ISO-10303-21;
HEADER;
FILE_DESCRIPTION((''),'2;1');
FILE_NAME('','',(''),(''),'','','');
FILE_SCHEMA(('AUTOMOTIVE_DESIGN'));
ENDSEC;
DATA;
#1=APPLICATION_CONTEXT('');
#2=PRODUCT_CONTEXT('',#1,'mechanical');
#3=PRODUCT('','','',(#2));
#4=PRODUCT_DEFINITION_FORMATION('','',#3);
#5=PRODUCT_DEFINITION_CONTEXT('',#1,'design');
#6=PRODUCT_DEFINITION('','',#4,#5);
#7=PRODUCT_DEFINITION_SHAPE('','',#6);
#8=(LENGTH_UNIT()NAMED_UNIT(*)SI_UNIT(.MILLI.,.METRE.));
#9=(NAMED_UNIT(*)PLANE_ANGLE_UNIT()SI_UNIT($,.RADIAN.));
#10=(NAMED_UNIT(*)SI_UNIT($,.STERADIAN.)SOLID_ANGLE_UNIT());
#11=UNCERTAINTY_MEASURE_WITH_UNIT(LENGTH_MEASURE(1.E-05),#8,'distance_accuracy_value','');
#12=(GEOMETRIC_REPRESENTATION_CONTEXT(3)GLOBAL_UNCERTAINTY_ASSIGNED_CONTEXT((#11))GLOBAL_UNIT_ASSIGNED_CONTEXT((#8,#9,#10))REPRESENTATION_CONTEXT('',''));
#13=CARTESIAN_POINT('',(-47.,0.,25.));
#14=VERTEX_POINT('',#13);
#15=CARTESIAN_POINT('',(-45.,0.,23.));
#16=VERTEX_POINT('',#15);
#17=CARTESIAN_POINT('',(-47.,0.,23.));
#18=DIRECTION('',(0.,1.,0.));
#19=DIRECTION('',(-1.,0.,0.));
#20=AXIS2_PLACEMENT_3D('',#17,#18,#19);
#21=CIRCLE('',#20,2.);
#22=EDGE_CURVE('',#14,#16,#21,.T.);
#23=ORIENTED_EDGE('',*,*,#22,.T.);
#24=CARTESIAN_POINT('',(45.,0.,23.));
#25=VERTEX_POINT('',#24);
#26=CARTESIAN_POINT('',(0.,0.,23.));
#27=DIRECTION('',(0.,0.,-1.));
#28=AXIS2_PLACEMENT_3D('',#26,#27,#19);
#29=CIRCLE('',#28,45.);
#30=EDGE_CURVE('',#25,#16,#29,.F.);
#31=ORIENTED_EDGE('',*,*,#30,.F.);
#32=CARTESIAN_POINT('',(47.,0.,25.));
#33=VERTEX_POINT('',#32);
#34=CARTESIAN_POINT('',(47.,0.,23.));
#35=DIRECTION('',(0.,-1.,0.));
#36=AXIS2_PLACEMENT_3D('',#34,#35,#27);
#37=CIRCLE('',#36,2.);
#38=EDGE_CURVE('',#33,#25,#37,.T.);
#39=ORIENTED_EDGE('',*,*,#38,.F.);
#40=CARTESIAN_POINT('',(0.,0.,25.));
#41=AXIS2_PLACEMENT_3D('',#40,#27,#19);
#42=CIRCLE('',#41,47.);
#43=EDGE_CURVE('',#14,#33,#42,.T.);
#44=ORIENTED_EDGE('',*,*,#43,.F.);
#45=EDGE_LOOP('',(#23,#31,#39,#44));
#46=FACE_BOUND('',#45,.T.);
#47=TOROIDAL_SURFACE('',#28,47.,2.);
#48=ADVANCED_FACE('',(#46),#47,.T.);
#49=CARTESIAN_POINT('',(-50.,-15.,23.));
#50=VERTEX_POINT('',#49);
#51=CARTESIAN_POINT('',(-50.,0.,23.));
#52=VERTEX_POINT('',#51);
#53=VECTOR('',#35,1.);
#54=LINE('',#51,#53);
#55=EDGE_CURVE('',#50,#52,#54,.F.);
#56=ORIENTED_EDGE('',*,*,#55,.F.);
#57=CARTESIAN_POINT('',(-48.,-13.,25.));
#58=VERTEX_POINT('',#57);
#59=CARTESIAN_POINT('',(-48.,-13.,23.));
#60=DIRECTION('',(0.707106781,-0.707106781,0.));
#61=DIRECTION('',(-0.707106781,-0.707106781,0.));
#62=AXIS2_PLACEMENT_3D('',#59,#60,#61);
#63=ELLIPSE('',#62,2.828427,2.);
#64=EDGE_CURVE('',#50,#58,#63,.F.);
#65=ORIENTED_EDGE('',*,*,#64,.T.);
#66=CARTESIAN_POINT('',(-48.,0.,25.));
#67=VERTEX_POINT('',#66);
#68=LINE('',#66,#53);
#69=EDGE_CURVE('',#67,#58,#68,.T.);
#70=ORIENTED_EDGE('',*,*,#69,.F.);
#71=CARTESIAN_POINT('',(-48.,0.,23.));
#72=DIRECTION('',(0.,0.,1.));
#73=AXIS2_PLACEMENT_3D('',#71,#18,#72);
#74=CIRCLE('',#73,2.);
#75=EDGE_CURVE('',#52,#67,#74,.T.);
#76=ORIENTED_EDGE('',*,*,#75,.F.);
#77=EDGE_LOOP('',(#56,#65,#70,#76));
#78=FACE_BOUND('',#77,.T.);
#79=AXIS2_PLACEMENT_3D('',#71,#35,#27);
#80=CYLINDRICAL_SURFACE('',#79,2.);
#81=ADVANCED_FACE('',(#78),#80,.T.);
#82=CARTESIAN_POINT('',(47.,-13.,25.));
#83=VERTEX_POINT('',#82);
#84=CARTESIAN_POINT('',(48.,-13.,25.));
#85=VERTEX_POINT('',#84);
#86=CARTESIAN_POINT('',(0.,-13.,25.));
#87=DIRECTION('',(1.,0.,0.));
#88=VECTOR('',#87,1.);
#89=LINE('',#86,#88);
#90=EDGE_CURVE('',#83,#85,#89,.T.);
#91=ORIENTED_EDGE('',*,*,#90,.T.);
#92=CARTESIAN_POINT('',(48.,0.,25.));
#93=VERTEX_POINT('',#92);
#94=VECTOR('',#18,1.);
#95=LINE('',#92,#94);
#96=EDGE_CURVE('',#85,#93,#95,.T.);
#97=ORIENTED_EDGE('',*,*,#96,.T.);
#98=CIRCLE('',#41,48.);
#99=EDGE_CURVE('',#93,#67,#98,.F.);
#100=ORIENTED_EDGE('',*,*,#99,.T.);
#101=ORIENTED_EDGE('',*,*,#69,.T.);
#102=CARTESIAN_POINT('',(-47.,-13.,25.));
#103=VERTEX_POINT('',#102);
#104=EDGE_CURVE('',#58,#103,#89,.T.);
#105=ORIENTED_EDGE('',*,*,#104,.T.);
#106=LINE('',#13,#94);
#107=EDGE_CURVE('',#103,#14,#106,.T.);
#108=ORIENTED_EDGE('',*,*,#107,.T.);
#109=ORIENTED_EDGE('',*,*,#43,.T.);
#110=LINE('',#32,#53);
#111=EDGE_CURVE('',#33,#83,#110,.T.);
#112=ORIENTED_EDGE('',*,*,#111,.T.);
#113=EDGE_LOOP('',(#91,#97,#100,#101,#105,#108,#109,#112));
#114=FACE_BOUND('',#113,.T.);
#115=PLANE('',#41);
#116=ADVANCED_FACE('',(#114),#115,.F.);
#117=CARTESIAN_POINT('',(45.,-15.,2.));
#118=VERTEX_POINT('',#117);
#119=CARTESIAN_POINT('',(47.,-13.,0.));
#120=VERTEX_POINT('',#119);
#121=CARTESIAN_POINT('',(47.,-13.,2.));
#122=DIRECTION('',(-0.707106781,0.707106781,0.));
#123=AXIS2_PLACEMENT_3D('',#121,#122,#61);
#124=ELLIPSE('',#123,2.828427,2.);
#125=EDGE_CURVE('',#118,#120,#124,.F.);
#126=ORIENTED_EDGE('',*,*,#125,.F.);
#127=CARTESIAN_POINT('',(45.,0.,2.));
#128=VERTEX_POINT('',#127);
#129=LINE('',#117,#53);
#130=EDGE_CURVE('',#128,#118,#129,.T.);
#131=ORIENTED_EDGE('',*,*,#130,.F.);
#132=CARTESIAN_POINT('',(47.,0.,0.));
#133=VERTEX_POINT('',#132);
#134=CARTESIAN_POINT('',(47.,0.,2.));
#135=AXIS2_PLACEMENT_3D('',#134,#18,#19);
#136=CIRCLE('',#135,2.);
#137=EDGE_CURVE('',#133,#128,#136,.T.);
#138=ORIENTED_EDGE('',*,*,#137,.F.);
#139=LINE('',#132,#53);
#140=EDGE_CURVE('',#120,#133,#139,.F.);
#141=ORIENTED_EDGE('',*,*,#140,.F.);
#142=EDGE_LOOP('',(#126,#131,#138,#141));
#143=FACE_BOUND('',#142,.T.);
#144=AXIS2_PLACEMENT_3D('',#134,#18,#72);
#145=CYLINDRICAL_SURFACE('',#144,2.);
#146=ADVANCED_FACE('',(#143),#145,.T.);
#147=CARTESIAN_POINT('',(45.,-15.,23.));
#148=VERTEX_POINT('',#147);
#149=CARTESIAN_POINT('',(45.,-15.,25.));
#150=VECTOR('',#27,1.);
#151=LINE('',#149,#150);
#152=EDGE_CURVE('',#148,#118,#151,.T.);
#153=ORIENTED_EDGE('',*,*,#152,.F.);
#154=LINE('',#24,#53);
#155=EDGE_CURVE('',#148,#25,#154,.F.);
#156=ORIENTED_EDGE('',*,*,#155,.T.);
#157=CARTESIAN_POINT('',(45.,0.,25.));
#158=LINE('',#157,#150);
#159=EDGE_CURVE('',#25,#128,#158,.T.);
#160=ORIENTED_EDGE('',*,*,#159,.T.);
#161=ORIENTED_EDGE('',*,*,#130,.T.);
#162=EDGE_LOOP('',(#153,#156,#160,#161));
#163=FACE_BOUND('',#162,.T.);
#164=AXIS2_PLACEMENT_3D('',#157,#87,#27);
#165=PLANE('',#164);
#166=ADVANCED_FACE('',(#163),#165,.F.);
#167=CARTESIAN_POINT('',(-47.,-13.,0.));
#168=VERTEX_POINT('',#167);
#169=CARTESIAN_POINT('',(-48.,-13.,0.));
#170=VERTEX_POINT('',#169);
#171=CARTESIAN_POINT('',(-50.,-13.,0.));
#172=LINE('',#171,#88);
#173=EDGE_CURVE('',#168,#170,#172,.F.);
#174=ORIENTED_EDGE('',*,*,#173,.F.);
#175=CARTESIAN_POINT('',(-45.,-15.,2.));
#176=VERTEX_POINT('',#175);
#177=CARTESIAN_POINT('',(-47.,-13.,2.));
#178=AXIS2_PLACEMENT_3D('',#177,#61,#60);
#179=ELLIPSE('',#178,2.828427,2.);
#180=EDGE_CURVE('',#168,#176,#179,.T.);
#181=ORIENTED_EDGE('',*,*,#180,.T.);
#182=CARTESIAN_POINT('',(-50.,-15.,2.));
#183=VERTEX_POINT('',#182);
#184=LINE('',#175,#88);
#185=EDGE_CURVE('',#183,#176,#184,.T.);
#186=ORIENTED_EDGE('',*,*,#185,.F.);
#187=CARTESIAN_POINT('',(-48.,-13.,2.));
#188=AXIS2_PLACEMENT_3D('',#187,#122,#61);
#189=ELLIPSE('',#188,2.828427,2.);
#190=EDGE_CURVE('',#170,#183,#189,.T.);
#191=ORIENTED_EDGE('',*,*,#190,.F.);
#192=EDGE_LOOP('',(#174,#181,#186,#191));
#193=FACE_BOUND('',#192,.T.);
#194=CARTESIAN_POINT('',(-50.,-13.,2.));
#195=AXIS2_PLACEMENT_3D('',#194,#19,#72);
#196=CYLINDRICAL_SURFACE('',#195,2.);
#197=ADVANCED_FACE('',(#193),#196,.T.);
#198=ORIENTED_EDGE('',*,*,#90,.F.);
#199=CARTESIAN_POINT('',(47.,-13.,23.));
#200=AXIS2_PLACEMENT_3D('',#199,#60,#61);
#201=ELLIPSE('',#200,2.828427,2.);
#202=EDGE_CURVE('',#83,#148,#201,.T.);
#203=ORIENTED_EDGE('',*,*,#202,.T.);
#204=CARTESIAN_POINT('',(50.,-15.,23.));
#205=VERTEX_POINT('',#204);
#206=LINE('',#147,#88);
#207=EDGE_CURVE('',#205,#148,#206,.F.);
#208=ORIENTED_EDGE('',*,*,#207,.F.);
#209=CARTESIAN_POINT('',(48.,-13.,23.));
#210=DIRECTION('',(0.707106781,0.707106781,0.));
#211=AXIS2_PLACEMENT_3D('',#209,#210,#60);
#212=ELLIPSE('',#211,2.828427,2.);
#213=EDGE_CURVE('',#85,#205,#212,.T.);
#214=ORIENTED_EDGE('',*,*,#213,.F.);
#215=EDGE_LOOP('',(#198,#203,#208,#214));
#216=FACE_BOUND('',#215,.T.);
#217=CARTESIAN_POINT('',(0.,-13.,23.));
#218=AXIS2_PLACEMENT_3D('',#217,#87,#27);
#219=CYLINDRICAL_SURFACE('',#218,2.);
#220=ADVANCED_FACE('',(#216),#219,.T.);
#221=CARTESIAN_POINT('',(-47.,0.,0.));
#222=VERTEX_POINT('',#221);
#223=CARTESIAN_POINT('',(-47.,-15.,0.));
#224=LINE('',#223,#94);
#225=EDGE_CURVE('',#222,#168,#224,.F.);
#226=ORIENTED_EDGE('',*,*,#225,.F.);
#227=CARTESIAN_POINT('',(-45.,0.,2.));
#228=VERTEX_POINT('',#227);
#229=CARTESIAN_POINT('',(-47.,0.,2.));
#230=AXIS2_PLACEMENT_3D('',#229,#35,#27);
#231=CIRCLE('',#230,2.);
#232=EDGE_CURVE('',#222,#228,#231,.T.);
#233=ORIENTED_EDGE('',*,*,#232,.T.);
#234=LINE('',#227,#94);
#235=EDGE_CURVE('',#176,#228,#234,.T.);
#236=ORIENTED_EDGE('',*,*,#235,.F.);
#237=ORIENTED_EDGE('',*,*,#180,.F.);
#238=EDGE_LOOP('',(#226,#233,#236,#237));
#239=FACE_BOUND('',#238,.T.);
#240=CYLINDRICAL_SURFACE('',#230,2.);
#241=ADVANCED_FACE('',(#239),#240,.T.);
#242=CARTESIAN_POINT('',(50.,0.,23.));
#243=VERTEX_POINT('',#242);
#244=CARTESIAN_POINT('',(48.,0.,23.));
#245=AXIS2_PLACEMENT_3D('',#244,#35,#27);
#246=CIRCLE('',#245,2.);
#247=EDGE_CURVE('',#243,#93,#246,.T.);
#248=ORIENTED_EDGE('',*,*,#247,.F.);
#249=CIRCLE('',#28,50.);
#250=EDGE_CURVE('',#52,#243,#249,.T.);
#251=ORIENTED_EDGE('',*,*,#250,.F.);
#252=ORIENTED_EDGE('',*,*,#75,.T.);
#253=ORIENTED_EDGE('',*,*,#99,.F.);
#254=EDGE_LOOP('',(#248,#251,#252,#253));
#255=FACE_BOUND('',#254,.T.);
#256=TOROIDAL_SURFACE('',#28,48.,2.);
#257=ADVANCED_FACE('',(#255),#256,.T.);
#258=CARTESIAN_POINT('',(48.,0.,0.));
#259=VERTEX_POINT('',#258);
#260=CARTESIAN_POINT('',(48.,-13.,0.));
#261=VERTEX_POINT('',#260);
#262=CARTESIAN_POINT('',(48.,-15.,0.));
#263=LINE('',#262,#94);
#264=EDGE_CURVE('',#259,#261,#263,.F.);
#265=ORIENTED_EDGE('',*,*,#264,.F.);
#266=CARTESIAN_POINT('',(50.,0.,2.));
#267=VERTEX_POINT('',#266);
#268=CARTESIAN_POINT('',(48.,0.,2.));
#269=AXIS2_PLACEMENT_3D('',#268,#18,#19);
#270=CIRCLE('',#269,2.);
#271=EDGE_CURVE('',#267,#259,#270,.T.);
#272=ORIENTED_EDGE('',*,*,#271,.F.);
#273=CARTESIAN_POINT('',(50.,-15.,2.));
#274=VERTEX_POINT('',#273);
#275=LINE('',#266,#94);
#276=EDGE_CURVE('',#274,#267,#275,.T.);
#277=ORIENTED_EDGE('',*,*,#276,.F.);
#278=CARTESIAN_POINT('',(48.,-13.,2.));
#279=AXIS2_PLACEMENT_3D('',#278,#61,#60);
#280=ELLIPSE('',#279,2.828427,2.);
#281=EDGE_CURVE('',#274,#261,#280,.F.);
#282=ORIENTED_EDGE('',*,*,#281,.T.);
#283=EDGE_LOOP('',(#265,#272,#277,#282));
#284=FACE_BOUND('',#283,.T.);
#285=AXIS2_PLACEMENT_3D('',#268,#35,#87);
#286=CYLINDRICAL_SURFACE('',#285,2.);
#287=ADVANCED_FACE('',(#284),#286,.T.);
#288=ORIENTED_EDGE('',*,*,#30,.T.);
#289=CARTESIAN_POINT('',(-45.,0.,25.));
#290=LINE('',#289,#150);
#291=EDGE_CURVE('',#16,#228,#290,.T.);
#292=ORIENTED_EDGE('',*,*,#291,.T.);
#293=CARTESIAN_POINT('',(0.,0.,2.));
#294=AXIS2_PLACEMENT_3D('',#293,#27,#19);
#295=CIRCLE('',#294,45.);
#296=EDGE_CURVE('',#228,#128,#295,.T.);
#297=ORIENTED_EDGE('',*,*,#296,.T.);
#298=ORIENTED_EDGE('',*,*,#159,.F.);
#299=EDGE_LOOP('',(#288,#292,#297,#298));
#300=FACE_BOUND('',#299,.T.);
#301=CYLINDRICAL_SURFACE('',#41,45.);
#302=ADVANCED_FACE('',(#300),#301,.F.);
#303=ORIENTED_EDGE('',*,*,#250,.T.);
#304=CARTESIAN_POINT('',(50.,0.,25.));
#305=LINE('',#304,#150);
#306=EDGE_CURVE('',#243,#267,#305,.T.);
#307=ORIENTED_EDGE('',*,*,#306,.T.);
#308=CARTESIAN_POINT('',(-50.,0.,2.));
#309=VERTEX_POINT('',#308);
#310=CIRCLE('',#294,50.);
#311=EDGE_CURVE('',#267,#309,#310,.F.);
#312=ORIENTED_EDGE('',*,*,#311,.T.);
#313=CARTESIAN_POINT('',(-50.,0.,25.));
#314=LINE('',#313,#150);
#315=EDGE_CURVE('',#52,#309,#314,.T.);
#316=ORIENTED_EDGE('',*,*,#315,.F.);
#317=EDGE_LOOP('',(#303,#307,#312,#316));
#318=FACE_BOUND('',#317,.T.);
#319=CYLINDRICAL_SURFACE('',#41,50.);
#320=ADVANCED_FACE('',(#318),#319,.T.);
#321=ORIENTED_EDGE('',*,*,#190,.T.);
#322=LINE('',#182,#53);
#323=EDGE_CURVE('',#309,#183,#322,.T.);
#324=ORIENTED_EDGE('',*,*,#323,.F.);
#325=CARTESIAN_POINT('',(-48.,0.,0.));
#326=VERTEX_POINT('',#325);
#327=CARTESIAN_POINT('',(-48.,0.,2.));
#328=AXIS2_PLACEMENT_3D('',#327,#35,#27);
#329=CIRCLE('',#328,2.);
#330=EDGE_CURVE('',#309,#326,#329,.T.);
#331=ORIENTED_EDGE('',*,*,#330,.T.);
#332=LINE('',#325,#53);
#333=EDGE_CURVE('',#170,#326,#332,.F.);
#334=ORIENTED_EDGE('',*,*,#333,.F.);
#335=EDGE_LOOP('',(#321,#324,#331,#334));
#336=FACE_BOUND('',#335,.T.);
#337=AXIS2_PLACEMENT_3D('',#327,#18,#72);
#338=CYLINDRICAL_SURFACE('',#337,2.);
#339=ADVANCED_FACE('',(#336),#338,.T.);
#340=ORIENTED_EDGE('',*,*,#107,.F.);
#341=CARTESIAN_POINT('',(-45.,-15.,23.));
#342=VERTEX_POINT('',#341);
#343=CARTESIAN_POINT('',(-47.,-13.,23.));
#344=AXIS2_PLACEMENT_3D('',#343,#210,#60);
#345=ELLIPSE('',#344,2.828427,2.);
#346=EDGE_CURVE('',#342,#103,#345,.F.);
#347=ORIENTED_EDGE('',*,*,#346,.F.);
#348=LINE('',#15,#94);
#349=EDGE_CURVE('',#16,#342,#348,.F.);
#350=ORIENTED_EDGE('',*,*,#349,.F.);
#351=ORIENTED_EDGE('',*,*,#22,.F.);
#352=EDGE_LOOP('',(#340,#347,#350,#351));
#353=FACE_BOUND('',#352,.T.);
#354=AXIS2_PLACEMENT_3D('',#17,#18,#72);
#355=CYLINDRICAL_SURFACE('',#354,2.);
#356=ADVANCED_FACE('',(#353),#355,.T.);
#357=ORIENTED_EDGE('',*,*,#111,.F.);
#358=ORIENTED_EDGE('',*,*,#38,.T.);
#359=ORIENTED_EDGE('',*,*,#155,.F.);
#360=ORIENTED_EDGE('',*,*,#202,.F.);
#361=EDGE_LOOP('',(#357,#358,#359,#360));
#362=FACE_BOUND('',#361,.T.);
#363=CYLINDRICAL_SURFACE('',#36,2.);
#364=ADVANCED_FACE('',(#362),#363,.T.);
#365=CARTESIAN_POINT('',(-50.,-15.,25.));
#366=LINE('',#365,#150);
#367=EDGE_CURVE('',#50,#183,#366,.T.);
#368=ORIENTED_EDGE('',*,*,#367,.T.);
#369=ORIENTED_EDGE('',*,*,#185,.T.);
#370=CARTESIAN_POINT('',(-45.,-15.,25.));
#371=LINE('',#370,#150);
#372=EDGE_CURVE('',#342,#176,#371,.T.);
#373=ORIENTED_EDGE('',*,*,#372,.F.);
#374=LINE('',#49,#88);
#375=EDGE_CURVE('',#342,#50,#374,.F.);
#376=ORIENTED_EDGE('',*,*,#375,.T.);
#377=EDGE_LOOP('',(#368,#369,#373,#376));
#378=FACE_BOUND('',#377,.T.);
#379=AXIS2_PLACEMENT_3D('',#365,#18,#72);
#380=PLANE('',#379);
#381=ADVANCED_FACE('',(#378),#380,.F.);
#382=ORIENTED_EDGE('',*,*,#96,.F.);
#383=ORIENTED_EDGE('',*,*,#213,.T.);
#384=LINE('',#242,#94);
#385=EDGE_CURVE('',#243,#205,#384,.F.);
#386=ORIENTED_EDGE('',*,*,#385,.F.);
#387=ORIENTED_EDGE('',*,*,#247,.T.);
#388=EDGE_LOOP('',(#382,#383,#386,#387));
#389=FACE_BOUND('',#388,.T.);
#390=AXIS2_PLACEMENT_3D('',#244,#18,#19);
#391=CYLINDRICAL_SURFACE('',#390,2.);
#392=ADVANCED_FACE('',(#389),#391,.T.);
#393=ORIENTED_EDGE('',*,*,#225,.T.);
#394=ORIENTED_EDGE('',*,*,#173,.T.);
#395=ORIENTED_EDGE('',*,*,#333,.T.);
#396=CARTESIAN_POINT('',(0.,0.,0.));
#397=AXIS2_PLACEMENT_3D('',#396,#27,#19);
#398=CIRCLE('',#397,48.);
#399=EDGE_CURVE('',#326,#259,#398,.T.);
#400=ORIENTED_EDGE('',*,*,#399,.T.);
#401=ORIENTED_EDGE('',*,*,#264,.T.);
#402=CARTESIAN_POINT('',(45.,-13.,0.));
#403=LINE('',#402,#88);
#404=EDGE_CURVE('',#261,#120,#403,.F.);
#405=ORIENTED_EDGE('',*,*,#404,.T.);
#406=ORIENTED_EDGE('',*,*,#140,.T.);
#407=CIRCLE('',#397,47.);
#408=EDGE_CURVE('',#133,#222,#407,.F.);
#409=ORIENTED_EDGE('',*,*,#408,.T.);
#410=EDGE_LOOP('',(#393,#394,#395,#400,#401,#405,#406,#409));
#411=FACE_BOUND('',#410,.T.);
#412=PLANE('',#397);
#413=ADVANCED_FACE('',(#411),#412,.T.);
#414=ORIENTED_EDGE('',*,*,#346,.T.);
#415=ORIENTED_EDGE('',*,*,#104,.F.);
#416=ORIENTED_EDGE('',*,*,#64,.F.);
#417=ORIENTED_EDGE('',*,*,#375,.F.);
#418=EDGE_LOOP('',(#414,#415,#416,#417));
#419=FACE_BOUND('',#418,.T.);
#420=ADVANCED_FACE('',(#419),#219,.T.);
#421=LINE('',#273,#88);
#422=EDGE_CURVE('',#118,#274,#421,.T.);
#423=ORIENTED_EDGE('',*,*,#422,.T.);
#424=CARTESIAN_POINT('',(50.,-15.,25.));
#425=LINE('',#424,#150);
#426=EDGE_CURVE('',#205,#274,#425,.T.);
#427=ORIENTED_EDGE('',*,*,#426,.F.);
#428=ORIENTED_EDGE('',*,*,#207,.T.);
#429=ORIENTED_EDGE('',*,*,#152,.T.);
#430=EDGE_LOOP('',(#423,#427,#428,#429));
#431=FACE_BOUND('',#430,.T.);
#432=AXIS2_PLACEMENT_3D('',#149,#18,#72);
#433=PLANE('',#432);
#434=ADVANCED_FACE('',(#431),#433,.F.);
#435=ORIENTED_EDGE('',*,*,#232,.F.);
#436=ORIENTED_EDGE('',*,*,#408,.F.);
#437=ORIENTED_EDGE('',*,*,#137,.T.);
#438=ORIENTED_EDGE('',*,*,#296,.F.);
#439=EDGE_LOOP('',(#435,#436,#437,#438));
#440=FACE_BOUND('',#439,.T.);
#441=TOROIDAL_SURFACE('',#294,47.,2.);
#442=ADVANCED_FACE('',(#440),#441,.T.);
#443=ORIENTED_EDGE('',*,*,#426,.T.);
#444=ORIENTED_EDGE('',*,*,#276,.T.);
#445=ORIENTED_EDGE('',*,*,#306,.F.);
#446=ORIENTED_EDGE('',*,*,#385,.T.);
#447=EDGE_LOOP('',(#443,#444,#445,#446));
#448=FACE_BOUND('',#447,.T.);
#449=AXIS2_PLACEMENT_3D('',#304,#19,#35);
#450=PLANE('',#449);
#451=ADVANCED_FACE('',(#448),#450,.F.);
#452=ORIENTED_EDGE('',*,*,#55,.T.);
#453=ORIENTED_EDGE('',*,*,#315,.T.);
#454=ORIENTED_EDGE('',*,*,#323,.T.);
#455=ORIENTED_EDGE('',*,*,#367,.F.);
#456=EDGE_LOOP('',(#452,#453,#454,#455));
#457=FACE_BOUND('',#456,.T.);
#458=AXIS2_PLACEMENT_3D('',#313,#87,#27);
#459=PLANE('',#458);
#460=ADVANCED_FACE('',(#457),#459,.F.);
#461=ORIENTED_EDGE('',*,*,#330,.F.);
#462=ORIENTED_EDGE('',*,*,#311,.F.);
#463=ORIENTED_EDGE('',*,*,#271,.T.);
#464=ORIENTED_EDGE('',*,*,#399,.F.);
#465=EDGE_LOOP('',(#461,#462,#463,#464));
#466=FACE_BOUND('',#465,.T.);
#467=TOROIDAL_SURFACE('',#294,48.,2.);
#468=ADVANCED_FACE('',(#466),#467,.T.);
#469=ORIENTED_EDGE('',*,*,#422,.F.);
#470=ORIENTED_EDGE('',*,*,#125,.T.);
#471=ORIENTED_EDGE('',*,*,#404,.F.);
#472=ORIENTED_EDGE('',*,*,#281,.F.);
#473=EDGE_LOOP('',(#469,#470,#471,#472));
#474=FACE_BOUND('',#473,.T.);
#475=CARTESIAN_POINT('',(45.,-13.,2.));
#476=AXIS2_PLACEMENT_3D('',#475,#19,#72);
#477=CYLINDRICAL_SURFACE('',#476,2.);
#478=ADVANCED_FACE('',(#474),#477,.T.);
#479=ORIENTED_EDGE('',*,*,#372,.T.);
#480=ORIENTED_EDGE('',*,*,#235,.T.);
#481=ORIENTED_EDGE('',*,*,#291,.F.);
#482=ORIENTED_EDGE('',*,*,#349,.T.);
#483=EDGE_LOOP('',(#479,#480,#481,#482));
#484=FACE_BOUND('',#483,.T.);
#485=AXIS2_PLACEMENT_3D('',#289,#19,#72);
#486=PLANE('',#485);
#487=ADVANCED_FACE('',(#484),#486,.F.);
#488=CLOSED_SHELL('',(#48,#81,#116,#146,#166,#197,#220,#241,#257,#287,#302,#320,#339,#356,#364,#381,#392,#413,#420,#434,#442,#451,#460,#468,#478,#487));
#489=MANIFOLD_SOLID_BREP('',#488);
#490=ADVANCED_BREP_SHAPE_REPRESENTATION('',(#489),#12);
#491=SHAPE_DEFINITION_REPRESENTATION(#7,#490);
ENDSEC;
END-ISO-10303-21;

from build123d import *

# Parameters (mm, degrees)
BOSS_EXTRUDE1_DEPTH = 25
FILLET1_R           = 2


with BuildPart() as part:
    # Sketch1 → Boss-Extrude1 (new body)
    with BuildSketch(Plane.XY):
        with BuildLine():
            Line((-50, 0), (-50, -15))
            Line((-50, -15), (-45, -15))
            Line((-45, -15), (-45, 0))
            ThreePointArc((-45, 0), (0, 45), (45, 0))
            Line((45, 0), (45, -15))
            Line((45, -15), (50, -15))
            Line((50, -15), (50, 0))
            ThreePointArc((50, 0), (0, 50), (-50, 0))
        make_face()
    extrude(amount=BOSS_EXTRUDE1_DEPTH)

    # Fillet1
    fillet1_edges = [part.edges().sort_by_distance(p)[0] for p in [
        (-45, -7.5, 0),
        (-47.5, -15, 0),
        (-50, -7.5, 0),
        (0, 50, 0),
        (-47.5, -15, 25),
        (-45, -7.5, 25),
        (0, 45, 25),
        (45, -7.5, 25),
        (47.5, -15, 25),
        (50, -7.5, 25),
        (0, 50, 25),
        (50, -7.5, 0),
        (-50, -7.5, 25),
        (47.5, -15, 0),
        (45, -7.5, 0),
        (0, 45, 0),
    ]]
    fillet(fillet1_edges, radius=FILLET1_R)


solid = part.part
